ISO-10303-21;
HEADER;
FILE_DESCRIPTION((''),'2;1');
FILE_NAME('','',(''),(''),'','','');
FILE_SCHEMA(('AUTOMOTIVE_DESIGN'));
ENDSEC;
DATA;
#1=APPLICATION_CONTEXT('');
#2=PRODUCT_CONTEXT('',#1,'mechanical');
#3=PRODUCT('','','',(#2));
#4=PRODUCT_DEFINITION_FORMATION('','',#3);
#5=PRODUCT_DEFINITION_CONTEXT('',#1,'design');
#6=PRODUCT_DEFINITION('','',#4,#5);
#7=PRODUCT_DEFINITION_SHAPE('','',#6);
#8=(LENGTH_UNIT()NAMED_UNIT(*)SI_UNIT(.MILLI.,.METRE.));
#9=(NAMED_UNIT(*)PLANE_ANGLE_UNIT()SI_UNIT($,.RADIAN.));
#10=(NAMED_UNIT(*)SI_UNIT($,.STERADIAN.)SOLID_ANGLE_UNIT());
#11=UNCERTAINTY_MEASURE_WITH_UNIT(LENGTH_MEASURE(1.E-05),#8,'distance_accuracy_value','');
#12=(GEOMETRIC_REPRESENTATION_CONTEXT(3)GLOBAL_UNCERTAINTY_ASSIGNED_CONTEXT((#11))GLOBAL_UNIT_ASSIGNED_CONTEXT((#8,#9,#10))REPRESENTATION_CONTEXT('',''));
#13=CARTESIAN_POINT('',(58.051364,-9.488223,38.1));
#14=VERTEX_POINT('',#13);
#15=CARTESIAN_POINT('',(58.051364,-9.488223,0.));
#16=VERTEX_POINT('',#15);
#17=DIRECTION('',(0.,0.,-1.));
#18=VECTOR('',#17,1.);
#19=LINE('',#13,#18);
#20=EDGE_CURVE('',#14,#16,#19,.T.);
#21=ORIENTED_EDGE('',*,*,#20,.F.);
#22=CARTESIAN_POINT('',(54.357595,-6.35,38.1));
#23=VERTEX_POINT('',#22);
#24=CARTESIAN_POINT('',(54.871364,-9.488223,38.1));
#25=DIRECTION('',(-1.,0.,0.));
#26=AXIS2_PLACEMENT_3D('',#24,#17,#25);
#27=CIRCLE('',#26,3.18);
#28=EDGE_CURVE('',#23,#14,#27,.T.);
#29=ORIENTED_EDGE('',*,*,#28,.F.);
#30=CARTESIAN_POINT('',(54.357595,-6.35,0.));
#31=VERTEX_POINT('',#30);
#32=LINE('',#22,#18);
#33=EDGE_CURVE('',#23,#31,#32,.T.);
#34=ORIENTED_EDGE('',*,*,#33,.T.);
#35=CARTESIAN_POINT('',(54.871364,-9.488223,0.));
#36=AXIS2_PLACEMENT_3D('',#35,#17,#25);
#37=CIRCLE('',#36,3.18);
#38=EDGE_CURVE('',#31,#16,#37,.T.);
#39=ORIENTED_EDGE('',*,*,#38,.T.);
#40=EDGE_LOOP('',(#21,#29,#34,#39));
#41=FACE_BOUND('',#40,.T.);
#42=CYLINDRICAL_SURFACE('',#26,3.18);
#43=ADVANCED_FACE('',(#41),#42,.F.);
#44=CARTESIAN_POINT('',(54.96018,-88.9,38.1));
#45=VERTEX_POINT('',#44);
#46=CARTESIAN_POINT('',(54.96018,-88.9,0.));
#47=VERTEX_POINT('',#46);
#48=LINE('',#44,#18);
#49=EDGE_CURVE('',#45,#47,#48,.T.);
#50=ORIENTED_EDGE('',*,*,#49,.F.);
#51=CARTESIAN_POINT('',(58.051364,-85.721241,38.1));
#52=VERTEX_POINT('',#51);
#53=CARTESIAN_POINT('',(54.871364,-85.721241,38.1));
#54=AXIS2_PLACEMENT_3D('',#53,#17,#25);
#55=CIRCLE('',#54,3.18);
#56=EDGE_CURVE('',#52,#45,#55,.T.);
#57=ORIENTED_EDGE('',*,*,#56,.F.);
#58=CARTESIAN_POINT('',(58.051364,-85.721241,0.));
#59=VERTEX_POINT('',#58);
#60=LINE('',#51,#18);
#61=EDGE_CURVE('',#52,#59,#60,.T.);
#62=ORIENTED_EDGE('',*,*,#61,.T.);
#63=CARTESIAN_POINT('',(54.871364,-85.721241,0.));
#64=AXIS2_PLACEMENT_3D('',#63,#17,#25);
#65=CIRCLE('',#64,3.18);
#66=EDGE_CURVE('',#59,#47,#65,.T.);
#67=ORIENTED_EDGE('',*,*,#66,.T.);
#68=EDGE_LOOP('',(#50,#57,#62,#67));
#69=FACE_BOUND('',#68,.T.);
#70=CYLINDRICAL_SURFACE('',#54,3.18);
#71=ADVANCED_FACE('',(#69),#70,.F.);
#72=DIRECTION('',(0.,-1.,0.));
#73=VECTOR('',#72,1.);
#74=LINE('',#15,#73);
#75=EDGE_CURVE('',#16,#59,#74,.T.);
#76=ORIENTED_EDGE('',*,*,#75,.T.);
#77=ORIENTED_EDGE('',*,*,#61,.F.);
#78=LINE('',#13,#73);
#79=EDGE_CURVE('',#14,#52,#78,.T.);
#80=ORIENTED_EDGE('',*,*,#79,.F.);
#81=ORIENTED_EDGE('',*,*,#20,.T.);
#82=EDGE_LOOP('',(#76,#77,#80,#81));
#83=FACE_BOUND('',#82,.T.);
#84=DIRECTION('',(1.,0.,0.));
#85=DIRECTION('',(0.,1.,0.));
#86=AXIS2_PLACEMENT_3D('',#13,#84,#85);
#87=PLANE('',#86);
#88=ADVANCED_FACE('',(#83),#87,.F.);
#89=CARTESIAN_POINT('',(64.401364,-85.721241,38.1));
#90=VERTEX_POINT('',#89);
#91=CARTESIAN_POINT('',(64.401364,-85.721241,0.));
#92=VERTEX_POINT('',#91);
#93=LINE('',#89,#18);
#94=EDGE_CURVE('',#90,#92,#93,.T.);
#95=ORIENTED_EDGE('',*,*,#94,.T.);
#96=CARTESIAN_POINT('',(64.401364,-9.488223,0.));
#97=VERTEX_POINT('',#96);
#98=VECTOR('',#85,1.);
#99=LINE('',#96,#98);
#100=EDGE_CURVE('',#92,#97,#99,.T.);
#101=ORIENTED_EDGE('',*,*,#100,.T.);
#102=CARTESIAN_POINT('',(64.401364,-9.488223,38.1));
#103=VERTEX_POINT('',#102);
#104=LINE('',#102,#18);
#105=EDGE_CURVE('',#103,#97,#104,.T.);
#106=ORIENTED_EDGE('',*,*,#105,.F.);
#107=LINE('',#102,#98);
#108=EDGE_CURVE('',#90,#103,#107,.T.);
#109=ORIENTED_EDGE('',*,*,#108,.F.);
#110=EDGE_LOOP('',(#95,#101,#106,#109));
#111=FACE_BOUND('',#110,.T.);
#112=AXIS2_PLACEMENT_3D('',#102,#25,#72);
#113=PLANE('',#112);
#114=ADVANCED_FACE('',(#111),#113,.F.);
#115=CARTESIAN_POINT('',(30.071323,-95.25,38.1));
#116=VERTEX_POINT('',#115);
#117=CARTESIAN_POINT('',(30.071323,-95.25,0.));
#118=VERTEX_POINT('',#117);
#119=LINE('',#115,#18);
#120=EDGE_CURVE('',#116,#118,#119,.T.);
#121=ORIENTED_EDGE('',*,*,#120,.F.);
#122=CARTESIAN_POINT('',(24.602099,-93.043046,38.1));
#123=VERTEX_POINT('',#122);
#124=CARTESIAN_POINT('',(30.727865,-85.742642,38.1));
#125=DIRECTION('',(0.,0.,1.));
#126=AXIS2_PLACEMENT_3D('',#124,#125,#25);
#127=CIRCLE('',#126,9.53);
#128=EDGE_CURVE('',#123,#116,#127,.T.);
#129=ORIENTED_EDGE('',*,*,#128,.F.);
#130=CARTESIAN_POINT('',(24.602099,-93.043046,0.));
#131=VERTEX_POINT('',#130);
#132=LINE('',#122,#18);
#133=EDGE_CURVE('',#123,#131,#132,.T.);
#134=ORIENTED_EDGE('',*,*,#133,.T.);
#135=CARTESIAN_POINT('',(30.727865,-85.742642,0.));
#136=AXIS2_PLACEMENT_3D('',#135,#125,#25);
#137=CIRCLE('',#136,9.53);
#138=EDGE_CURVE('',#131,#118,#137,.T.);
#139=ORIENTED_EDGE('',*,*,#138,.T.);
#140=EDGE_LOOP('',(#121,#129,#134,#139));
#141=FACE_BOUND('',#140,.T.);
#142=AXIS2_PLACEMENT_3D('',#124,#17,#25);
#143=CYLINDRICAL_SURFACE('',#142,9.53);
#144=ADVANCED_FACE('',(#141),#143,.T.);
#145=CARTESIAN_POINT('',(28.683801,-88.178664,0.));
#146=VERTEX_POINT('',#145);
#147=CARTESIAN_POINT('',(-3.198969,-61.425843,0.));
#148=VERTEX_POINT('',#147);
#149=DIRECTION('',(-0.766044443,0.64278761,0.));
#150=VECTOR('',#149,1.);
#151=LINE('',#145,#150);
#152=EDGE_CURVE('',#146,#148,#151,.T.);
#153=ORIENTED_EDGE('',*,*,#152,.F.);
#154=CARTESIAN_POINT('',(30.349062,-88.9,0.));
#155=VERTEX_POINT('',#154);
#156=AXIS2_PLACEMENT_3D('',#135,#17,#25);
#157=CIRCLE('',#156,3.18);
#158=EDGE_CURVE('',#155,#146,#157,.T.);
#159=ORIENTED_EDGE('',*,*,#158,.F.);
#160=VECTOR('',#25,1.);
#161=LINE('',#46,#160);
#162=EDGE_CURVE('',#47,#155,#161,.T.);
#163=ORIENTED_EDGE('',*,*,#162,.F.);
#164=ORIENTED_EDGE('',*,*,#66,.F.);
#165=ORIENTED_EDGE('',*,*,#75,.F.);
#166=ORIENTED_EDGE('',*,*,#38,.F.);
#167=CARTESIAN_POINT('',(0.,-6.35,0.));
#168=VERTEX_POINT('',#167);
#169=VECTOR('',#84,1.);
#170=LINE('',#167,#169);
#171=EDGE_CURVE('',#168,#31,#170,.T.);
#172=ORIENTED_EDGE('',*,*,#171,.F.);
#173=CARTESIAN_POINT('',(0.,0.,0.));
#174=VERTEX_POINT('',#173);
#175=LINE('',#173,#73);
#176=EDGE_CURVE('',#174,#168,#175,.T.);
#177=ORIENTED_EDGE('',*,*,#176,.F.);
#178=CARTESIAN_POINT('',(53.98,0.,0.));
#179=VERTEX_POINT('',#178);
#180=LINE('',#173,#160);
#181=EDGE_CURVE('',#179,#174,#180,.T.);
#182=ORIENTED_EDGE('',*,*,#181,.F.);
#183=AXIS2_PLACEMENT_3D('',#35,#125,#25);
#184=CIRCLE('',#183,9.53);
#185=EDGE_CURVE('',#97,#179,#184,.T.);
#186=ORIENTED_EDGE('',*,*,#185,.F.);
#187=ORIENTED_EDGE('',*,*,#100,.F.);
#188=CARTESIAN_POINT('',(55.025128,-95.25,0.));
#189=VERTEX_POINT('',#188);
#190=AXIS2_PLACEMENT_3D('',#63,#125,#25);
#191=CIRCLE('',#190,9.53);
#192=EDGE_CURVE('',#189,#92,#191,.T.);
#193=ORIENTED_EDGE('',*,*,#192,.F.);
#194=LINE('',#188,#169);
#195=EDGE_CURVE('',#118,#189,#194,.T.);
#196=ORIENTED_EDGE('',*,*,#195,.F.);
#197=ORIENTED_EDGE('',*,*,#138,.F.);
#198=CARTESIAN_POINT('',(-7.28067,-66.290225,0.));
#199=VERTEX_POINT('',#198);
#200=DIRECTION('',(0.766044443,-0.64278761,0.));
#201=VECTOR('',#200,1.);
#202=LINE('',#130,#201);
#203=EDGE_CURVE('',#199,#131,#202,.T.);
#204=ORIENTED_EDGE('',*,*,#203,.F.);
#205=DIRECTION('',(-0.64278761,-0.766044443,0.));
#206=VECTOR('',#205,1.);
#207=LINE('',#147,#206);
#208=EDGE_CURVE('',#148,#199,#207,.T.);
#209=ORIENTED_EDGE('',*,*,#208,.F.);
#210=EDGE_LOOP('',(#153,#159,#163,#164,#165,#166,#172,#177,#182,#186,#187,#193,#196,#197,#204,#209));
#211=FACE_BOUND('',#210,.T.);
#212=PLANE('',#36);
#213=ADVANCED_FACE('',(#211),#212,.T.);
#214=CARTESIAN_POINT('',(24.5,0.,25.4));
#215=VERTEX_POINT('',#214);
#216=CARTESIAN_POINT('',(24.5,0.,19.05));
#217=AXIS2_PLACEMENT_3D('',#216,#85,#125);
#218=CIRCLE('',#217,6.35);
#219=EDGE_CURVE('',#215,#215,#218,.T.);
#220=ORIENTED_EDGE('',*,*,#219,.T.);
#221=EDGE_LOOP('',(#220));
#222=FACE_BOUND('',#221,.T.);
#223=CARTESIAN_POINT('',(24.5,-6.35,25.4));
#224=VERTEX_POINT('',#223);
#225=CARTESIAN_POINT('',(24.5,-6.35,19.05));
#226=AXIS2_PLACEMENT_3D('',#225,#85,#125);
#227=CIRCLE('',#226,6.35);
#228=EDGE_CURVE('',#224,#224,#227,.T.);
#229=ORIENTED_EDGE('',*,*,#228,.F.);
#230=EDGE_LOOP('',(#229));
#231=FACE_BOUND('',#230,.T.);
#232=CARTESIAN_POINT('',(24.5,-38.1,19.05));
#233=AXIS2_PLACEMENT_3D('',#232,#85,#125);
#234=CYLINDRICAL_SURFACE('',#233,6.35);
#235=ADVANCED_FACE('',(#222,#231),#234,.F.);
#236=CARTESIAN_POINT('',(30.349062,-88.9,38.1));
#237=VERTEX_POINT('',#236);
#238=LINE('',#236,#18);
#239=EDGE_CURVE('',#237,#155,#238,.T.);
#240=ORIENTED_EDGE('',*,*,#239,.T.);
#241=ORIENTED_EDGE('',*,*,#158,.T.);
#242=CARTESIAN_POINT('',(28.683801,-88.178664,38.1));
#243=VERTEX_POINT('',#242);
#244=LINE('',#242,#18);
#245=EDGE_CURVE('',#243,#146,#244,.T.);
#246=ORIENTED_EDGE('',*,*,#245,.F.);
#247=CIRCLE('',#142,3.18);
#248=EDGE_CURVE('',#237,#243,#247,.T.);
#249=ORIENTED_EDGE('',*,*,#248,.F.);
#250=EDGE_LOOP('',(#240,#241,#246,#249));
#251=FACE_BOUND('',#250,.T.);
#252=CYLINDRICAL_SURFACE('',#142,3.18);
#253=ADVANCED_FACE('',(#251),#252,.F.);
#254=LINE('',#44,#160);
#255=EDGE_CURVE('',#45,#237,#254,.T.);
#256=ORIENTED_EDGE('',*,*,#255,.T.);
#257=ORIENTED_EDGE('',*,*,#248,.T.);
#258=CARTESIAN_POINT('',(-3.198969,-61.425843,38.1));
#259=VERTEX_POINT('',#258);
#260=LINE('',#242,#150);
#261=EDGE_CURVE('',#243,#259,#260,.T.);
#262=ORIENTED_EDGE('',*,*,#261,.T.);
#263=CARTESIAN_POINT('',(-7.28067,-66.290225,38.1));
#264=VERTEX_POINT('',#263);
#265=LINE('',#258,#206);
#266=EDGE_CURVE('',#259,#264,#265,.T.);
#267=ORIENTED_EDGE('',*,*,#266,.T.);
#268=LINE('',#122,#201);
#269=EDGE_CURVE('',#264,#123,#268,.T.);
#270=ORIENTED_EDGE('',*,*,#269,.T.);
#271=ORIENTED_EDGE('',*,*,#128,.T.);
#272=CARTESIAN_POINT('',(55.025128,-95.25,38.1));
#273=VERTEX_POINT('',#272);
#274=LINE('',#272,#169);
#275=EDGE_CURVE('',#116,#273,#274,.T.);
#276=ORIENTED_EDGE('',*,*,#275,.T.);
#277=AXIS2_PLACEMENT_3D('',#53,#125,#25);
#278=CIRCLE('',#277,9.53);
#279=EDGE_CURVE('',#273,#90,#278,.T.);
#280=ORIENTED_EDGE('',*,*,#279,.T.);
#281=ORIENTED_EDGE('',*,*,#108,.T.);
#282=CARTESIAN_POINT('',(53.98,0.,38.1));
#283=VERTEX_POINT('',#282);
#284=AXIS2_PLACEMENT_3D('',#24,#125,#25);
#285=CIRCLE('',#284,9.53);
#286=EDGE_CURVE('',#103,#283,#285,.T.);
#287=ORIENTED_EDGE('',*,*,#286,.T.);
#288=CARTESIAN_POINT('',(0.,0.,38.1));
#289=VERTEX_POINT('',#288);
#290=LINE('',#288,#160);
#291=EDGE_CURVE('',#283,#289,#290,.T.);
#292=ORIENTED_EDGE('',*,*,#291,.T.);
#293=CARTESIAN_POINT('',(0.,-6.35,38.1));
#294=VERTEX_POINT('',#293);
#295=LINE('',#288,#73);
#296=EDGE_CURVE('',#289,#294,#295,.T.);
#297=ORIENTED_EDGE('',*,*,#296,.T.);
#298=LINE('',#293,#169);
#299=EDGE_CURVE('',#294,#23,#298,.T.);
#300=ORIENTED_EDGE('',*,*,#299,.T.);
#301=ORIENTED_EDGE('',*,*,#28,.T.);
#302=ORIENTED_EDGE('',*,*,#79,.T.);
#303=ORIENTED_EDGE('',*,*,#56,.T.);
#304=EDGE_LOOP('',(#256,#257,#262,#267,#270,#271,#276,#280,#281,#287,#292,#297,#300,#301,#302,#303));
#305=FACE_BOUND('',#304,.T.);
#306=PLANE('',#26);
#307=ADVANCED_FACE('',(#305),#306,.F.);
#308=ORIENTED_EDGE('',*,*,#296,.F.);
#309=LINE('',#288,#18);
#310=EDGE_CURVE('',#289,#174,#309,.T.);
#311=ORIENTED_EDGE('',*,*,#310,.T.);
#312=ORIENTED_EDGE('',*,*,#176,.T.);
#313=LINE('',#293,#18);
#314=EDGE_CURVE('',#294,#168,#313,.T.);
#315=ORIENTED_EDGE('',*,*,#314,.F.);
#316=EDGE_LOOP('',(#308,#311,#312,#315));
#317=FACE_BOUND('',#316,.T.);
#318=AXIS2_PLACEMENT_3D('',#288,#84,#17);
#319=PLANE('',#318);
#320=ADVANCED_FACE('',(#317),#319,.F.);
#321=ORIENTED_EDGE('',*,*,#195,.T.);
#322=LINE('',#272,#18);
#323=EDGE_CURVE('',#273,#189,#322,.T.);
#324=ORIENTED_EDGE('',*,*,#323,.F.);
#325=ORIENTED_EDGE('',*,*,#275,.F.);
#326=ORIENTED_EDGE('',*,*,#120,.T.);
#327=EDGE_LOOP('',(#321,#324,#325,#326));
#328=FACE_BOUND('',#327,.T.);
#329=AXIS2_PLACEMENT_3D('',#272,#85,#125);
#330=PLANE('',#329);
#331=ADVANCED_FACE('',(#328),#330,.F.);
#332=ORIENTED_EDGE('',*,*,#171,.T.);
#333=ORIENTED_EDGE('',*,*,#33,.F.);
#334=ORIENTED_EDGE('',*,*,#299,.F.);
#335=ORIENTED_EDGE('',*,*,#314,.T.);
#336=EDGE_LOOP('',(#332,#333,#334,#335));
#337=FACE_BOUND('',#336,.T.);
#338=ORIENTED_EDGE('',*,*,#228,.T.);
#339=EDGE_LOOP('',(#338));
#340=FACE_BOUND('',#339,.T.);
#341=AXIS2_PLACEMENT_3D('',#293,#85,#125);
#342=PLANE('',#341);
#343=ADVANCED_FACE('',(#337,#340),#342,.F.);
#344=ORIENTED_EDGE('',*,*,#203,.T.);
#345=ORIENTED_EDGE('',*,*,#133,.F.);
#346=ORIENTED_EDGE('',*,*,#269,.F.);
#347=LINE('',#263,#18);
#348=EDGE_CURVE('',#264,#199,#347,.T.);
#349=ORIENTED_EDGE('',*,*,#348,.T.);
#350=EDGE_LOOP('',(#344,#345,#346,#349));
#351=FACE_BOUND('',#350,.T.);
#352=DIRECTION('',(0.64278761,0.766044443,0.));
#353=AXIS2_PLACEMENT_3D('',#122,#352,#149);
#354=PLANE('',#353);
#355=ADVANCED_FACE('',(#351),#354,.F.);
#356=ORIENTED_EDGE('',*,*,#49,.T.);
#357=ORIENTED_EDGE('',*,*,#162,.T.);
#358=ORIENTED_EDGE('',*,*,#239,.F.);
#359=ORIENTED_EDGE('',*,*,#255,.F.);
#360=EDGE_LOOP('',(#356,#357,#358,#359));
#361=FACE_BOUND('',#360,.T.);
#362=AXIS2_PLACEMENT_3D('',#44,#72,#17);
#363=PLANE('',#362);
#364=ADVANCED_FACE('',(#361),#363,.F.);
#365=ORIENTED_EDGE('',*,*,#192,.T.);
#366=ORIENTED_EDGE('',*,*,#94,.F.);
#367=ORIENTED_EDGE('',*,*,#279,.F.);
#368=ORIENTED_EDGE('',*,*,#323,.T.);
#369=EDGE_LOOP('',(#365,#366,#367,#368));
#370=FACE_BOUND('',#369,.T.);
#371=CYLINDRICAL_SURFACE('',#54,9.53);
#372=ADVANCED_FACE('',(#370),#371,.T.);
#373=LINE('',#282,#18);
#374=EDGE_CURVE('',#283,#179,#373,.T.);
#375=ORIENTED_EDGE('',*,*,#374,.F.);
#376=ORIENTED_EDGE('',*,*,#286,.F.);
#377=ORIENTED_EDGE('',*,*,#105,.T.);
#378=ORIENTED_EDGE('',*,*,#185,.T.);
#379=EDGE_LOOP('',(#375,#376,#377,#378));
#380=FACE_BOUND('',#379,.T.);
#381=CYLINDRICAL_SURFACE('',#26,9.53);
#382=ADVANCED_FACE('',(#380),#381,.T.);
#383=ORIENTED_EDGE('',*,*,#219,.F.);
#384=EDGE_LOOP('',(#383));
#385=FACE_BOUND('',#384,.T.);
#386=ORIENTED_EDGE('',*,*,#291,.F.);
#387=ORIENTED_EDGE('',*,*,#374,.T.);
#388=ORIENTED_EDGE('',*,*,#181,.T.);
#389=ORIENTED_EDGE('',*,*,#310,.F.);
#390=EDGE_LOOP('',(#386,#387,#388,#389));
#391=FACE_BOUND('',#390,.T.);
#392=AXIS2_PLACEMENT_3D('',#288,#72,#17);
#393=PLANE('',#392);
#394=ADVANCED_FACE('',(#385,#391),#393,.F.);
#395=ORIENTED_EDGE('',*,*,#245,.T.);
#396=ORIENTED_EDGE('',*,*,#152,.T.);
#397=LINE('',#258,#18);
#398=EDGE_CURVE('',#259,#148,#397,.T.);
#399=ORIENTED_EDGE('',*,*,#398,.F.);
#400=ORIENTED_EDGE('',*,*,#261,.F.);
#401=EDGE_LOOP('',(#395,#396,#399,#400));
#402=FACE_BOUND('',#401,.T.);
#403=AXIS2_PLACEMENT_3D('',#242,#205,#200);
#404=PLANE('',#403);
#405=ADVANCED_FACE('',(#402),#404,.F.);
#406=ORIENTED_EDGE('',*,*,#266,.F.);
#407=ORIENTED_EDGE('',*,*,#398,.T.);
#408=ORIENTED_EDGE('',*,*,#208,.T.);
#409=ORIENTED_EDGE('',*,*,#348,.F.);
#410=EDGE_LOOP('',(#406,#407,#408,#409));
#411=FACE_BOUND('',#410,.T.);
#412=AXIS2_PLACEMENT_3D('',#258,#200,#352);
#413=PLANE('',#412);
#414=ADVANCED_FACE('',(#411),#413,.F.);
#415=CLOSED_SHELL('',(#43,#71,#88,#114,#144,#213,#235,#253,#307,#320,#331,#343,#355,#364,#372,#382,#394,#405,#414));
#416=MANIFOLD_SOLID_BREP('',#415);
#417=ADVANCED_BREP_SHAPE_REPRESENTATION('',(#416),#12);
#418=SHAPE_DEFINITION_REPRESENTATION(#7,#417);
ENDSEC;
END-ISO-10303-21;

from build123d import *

# Parameters (mm, degrees)
BOSS_EXTRUDE1_DEPTH = 38.1
SKETCH2_R           = 6.35
CUT_EXTRUDE1_DEPTH  = 38.1


with BuildPart() as part:
    # Sketch1 → Boss-Extrude1 (new body)
    with BuildSketch(Plane.XY):
        with BuildLine():
            Line((0, 0), (53.98, 0))
            ThreePointArc((53.98, 0), (61.287211447, -2.441393787), (64.401363743, -9.488222735))
            Line((64.401363743, -9.488222735), (64.401363743, -85.721240556))
            ThreePointArc((64.401363743, -85.721240556), (61.664237719, -92.40538322), (55.025128035, -95.25))
            Line((55.025128035, -95.25), (30.071323434, -95.25))
            ThreePointArc((30.071323434, -95.25), (27.161692752, -94.580250085), (24.602099349, -93.043045718))
            Line((24.602099349, -93.043045718), (-7.280670374, -66.290225402))
            Line((-7.280670374, -66.290225402), (-3.198969052, -61.425843189))
            Line((-3.198969052, -61.425843189), (28.68380067, -88.178663504))
            ThreePointArc((28.68380067, -88.178663504), (29.463882201, -88.660646082), (30.349062467, -88.9))
            Line((30.349062467, -88.9), (54.96018039, -88.9))
            ThreePointArc((54.96018039, -88.9), (57.151148485, -87.938216318), (58.051363743, -85.721240556))
            Line((58.051363743, -85.721240556), (58.051363743, -9.488222735))
            ThreePointArc((58.051363743, -9.488222735), (56.930321756, -7.064776449), (54.357595252, -6.35))
            Line((54.357595252, -6.35), (0, -6.35))
            Line((0, -6.35), (0, 0))
        make_face()
    extrude(amount=BOSS_EXTRUDE1_DEPTH)

    # Sketch2 → Cut-Extrude1 (cut)
    with BuildSketch(Plane(origin=(0, 0, 0), x_dir=(1, 0, 0), z_dir=(0, 1, 0))):
        with Locations((24.5, -19.05)):
            Circle(SKETCH2_R)
    extrude(amount=-CUT_EXTRUDE1_DEPTH, mode=Mode.SUBTRACT)


solid = part.part
